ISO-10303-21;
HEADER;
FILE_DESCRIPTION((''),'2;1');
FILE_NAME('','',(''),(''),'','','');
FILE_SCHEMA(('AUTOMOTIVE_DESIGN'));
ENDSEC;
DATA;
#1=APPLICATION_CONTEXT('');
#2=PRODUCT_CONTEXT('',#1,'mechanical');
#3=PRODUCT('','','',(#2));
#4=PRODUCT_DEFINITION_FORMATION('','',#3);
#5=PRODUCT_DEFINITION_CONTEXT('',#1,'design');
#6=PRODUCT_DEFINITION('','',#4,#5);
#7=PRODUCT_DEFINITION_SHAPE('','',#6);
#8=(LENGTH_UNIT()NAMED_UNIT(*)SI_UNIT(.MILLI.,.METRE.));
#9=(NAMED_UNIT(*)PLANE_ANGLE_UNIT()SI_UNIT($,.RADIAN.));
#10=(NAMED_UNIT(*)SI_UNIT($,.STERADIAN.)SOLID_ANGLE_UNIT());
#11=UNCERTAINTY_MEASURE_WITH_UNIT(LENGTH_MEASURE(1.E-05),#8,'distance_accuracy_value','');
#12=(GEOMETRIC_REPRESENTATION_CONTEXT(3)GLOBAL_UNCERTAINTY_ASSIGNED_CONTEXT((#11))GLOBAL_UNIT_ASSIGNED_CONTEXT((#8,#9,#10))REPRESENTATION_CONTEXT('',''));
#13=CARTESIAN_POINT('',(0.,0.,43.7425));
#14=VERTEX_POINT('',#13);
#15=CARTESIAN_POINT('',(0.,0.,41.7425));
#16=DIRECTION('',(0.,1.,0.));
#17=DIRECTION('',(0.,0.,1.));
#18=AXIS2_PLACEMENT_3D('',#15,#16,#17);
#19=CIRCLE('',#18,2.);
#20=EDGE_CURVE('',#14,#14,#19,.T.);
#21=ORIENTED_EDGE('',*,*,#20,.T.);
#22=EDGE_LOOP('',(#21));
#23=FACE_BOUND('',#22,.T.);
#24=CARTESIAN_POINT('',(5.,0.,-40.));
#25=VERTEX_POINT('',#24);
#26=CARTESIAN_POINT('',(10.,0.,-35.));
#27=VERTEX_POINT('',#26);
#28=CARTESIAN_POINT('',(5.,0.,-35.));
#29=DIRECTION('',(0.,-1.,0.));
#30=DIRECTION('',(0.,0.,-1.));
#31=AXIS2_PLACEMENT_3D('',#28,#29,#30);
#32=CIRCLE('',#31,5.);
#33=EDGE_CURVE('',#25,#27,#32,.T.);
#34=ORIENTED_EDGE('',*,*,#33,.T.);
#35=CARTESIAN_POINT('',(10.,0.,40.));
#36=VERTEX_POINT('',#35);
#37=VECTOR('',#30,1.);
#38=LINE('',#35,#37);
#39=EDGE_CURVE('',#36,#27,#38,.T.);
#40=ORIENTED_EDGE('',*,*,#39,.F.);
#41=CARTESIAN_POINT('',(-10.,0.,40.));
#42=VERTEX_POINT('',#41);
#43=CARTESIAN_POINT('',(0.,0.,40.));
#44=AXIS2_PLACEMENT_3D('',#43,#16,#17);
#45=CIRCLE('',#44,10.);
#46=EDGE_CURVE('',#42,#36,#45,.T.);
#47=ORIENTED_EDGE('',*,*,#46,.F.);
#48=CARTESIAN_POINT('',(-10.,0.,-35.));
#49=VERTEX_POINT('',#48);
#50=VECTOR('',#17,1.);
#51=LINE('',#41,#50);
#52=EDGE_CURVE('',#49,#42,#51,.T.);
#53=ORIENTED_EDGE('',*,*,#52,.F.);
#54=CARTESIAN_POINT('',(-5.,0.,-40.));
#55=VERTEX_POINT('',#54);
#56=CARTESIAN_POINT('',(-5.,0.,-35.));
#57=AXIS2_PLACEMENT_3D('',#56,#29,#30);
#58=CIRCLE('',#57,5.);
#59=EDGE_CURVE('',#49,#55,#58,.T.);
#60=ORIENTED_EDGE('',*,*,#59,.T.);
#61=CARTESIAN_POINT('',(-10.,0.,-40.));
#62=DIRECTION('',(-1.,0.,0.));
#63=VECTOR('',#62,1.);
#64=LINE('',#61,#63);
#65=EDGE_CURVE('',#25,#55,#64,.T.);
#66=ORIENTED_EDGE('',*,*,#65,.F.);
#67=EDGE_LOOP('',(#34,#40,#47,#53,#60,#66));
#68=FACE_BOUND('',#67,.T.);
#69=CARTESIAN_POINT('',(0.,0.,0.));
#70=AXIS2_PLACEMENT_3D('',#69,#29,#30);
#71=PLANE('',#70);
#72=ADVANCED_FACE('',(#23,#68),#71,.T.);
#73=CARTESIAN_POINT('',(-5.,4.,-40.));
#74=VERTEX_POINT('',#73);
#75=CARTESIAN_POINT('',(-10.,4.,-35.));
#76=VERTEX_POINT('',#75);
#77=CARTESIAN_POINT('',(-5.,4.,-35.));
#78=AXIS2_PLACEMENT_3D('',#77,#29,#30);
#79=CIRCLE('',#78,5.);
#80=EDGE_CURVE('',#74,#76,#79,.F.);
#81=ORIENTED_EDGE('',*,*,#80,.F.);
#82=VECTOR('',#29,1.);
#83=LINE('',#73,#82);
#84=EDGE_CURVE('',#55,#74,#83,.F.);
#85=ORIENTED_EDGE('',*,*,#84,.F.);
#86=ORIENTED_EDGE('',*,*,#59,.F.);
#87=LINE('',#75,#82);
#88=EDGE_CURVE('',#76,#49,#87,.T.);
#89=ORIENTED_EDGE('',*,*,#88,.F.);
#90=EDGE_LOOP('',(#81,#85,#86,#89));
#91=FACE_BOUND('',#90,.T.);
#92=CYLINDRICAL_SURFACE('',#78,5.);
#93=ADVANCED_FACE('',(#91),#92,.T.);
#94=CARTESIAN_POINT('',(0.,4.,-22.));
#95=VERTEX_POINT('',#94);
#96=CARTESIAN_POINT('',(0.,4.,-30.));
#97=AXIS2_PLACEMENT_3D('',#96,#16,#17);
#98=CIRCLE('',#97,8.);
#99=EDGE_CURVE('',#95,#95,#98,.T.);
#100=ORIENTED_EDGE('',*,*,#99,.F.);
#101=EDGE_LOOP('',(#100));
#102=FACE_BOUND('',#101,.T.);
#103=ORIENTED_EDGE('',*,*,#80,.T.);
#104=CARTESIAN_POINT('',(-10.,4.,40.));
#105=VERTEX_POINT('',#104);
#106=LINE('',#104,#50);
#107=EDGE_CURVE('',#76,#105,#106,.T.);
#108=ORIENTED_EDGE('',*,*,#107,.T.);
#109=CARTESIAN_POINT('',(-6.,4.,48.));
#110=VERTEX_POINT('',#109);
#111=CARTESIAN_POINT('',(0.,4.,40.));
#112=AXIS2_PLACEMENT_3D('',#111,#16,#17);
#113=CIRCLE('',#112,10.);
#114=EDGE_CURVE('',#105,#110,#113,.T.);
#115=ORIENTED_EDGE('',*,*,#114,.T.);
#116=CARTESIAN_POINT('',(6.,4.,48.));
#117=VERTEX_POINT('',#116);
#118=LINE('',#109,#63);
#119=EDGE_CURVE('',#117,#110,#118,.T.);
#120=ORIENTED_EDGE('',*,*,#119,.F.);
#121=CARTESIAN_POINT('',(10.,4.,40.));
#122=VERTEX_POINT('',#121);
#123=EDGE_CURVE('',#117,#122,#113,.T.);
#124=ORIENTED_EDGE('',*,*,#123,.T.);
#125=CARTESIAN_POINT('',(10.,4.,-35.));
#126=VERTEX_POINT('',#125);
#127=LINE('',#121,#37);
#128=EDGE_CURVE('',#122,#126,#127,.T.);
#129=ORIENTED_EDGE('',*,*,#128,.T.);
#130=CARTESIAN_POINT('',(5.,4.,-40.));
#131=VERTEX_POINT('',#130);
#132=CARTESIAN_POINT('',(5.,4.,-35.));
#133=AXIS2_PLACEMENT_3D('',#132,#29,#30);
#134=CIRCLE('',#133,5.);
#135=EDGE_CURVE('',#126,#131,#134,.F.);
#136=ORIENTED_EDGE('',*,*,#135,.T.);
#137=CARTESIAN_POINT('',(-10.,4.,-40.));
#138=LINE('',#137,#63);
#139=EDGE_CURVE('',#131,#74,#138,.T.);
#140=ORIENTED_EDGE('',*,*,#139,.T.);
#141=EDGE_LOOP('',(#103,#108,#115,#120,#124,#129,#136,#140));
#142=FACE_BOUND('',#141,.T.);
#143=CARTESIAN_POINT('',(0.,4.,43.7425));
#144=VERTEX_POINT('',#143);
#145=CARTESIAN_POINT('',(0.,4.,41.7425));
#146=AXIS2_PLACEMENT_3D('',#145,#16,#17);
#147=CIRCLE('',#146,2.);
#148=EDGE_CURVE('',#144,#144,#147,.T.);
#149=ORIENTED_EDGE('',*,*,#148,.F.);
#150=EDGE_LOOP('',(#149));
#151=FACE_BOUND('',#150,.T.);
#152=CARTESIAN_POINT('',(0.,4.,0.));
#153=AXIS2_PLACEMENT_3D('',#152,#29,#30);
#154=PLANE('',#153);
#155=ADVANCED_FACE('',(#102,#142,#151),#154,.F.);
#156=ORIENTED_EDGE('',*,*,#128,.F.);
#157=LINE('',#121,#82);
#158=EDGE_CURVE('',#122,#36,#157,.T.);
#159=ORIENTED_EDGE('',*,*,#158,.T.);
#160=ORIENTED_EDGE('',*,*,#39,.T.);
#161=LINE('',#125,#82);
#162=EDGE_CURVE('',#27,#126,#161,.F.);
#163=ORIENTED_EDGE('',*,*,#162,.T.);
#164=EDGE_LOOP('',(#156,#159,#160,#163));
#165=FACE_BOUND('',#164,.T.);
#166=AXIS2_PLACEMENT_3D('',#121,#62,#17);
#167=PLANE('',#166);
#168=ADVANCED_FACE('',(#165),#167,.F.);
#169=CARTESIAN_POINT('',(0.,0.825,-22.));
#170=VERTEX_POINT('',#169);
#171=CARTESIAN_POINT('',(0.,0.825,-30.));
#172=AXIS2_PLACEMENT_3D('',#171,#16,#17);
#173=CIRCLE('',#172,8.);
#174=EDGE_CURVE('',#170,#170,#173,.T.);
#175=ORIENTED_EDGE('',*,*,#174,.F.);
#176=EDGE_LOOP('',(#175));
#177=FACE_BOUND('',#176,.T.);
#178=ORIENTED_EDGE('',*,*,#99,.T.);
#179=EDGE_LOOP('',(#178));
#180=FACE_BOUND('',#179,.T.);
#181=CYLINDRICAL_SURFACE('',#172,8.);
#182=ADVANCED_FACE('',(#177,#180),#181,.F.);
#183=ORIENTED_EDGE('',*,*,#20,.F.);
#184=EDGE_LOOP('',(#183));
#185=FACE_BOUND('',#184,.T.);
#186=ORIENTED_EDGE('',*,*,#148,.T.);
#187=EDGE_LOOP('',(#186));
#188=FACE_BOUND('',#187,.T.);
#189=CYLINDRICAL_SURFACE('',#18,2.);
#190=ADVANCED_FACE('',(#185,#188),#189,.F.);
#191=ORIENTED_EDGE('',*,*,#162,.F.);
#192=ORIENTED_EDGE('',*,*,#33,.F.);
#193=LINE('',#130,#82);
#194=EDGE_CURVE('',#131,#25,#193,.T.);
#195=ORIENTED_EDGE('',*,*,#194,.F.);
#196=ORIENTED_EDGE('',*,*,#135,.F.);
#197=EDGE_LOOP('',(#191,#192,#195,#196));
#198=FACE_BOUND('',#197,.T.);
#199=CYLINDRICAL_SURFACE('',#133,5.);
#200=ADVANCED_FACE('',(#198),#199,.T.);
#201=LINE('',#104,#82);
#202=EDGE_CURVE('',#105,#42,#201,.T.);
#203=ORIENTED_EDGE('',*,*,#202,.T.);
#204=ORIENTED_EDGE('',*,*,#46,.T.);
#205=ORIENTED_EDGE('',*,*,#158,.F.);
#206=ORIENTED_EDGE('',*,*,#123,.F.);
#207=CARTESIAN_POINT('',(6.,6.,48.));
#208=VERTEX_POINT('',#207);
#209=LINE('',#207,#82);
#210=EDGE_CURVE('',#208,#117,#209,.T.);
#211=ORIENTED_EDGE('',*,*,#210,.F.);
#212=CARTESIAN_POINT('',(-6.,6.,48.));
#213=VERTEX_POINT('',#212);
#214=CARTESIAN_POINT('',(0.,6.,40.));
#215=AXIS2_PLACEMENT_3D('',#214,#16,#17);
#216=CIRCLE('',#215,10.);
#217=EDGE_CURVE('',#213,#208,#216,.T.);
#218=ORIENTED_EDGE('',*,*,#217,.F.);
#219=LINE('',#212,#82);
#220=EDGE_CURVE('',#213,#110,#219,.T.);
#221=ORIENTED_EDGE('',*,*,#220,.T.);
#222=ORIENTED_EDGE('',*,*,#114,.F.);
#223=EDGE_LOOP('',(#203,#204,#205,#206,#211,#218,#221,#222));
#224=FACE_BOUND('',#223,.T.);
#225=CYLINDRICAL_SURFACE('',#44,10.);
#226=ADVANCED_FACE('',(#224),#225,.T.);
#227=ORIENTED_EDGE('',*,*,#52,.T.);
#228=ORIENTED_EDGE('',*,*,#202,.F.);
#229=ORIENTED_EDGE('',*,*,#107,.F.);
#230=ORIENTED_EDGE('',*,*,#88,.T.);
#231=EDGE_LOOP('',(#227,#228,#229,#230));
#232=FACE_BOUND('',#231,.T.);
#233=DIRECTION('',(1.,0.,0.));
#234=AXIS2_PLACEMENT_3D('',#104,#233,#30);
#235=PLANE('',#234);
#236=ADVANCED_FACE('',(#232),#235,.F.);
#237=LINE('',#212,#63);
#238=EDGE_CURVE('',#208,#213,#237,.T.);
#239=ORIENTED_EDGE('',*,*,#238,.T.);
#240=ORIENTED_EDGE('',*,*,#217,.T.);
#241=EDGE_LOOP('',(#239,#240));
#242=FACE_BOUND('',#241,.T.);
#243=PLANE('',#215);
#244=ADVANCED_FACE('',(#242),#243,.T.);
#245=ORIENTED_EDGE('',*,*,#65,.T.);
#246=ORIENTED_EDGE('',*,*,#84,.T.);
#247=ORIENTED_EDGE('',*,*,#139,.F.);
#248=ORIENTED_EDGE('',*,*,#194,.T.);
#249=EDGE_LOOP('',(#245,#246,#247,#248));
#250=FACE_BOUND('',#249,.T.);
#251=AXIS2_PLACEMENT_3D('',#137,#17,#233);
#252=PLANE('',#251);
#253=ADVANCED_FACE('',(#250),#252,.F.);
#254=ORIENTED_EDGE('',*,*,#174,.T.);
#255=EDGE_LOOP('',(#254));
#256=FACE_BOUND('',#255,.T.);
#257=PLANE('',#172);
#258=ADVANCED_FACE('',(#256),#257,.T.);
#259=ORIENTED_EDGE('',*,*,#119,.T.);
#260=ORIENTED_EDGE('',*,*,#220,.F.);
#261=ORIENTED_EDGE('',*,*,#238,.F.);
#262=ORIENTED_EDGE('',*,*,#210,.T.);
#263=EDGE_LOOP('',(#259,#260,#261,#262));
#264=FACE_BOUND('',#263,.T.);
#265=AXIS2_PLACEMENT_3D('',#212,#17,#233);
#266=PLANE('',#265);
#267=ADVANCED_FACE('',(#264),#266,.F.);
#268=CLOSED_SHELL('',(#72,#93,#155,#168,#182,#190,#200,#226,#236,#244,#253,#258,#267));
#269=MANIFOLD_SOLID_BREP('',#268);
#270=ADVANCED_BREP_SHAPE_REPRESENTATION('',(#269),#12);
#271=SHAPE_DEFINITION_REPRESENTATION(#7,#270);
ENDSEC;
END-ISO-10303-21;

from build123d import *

# Parameters (mm, degrees)
SKETCH1_W           = 20
SKETCH1_H           = 80
BOSS_EXTRUDE1_DEPTH = 4
SKETCH8_R           = 10
BOSS_EXTRUDE2_DEPTH = 4
SKETCH9_R           = 8
CUT_EXTRUDE1_DEPTH  = 3.175
SKETCH10_R          = 2
CUT_EXTRUDE2_DEPTH  = 52.14684741
BOSS_EXTRUDE3_START = 2
BOSS_EXTRUDE3_DEPTH = 2
FILLET1_R           = 5


with BuildPart() as part:
    # Sketch1 → Boss-Extrude1 (new body)
    with BuildSketch(Plane(origin=(0, 0, 0), x_dir=(1, 0, 0), z_dir=(0, 1, 0))):
        Rectangle(SKETCH1_W, SKETCH1_H)
    extrude(amount=BOSS_EXTRUDE1_DEPTH)

    # Sketch8 → Boss-Extrude2 (add)
    with BuildSketch(Plane(origin=(0, 4, 0), x_dir=(1, 0, 0), z_dir=(0, 1, 0))):
        with Locations((0, -40)):
            Circle(SKETCH8_R)
    extrude(amount=-BOSS_EXTRUDE2_DEPTH)

    # Sketch9 → Cut-Extrude1 (cut)
    with BuildSketch(Plane(origin=(0, 4, 0), x_dir=(1, 0, 0), z_dir=(0, 1, 0))):
        with Locations(Location((0, 30, 0), (0, 0, 270))):
            Circle(SKETCH9_R)
    extrude(amount=-CUT_EXTRUDE1_DEPTH, mode=Mode.SUBTRACT)

    # Sketch10 → Cut-Extrude2 (cut, through all)
    with BuildSketch(Plane(origin=(0, 4, 0), x_dir=(1, 0, 0), z_dir=(0, 1, 0))):
        with Locations(Location((0, -41.7425, 0), (0, 0, 270))):
            Circle(SKETCH10_R)
    extrude(amount=-CUT_EXTRUDE2_DEPTH, mode=Mode.SUBTRACT)

    # Sketch11 → Boss-Extrude3 (add)
    with BuildSketch(Plane(origin=(0, 4, 0), x_dir=(1, 0, 0), z_dir=(0, 1, 0)).offset(BOSS_EXTRUDE3_START)):
        with BuildLine():
            Line((-6, -48), (6, -48))
            ThreePointArc((6, -48), (0, -50), (-6, -48))
        make_face()
    extrude(amount=-BOSS_EXTRUDE3_DEPTH)

    # Fillet1
    fillet1_edges = [part.edges().sort_by_distance(p)[0] for p in [
        (-10, 2, -40),
        (10, 2, -40),
    ]]
    fillet(fillet1_edges, radius=FILLET1_R)


solid = part.part
